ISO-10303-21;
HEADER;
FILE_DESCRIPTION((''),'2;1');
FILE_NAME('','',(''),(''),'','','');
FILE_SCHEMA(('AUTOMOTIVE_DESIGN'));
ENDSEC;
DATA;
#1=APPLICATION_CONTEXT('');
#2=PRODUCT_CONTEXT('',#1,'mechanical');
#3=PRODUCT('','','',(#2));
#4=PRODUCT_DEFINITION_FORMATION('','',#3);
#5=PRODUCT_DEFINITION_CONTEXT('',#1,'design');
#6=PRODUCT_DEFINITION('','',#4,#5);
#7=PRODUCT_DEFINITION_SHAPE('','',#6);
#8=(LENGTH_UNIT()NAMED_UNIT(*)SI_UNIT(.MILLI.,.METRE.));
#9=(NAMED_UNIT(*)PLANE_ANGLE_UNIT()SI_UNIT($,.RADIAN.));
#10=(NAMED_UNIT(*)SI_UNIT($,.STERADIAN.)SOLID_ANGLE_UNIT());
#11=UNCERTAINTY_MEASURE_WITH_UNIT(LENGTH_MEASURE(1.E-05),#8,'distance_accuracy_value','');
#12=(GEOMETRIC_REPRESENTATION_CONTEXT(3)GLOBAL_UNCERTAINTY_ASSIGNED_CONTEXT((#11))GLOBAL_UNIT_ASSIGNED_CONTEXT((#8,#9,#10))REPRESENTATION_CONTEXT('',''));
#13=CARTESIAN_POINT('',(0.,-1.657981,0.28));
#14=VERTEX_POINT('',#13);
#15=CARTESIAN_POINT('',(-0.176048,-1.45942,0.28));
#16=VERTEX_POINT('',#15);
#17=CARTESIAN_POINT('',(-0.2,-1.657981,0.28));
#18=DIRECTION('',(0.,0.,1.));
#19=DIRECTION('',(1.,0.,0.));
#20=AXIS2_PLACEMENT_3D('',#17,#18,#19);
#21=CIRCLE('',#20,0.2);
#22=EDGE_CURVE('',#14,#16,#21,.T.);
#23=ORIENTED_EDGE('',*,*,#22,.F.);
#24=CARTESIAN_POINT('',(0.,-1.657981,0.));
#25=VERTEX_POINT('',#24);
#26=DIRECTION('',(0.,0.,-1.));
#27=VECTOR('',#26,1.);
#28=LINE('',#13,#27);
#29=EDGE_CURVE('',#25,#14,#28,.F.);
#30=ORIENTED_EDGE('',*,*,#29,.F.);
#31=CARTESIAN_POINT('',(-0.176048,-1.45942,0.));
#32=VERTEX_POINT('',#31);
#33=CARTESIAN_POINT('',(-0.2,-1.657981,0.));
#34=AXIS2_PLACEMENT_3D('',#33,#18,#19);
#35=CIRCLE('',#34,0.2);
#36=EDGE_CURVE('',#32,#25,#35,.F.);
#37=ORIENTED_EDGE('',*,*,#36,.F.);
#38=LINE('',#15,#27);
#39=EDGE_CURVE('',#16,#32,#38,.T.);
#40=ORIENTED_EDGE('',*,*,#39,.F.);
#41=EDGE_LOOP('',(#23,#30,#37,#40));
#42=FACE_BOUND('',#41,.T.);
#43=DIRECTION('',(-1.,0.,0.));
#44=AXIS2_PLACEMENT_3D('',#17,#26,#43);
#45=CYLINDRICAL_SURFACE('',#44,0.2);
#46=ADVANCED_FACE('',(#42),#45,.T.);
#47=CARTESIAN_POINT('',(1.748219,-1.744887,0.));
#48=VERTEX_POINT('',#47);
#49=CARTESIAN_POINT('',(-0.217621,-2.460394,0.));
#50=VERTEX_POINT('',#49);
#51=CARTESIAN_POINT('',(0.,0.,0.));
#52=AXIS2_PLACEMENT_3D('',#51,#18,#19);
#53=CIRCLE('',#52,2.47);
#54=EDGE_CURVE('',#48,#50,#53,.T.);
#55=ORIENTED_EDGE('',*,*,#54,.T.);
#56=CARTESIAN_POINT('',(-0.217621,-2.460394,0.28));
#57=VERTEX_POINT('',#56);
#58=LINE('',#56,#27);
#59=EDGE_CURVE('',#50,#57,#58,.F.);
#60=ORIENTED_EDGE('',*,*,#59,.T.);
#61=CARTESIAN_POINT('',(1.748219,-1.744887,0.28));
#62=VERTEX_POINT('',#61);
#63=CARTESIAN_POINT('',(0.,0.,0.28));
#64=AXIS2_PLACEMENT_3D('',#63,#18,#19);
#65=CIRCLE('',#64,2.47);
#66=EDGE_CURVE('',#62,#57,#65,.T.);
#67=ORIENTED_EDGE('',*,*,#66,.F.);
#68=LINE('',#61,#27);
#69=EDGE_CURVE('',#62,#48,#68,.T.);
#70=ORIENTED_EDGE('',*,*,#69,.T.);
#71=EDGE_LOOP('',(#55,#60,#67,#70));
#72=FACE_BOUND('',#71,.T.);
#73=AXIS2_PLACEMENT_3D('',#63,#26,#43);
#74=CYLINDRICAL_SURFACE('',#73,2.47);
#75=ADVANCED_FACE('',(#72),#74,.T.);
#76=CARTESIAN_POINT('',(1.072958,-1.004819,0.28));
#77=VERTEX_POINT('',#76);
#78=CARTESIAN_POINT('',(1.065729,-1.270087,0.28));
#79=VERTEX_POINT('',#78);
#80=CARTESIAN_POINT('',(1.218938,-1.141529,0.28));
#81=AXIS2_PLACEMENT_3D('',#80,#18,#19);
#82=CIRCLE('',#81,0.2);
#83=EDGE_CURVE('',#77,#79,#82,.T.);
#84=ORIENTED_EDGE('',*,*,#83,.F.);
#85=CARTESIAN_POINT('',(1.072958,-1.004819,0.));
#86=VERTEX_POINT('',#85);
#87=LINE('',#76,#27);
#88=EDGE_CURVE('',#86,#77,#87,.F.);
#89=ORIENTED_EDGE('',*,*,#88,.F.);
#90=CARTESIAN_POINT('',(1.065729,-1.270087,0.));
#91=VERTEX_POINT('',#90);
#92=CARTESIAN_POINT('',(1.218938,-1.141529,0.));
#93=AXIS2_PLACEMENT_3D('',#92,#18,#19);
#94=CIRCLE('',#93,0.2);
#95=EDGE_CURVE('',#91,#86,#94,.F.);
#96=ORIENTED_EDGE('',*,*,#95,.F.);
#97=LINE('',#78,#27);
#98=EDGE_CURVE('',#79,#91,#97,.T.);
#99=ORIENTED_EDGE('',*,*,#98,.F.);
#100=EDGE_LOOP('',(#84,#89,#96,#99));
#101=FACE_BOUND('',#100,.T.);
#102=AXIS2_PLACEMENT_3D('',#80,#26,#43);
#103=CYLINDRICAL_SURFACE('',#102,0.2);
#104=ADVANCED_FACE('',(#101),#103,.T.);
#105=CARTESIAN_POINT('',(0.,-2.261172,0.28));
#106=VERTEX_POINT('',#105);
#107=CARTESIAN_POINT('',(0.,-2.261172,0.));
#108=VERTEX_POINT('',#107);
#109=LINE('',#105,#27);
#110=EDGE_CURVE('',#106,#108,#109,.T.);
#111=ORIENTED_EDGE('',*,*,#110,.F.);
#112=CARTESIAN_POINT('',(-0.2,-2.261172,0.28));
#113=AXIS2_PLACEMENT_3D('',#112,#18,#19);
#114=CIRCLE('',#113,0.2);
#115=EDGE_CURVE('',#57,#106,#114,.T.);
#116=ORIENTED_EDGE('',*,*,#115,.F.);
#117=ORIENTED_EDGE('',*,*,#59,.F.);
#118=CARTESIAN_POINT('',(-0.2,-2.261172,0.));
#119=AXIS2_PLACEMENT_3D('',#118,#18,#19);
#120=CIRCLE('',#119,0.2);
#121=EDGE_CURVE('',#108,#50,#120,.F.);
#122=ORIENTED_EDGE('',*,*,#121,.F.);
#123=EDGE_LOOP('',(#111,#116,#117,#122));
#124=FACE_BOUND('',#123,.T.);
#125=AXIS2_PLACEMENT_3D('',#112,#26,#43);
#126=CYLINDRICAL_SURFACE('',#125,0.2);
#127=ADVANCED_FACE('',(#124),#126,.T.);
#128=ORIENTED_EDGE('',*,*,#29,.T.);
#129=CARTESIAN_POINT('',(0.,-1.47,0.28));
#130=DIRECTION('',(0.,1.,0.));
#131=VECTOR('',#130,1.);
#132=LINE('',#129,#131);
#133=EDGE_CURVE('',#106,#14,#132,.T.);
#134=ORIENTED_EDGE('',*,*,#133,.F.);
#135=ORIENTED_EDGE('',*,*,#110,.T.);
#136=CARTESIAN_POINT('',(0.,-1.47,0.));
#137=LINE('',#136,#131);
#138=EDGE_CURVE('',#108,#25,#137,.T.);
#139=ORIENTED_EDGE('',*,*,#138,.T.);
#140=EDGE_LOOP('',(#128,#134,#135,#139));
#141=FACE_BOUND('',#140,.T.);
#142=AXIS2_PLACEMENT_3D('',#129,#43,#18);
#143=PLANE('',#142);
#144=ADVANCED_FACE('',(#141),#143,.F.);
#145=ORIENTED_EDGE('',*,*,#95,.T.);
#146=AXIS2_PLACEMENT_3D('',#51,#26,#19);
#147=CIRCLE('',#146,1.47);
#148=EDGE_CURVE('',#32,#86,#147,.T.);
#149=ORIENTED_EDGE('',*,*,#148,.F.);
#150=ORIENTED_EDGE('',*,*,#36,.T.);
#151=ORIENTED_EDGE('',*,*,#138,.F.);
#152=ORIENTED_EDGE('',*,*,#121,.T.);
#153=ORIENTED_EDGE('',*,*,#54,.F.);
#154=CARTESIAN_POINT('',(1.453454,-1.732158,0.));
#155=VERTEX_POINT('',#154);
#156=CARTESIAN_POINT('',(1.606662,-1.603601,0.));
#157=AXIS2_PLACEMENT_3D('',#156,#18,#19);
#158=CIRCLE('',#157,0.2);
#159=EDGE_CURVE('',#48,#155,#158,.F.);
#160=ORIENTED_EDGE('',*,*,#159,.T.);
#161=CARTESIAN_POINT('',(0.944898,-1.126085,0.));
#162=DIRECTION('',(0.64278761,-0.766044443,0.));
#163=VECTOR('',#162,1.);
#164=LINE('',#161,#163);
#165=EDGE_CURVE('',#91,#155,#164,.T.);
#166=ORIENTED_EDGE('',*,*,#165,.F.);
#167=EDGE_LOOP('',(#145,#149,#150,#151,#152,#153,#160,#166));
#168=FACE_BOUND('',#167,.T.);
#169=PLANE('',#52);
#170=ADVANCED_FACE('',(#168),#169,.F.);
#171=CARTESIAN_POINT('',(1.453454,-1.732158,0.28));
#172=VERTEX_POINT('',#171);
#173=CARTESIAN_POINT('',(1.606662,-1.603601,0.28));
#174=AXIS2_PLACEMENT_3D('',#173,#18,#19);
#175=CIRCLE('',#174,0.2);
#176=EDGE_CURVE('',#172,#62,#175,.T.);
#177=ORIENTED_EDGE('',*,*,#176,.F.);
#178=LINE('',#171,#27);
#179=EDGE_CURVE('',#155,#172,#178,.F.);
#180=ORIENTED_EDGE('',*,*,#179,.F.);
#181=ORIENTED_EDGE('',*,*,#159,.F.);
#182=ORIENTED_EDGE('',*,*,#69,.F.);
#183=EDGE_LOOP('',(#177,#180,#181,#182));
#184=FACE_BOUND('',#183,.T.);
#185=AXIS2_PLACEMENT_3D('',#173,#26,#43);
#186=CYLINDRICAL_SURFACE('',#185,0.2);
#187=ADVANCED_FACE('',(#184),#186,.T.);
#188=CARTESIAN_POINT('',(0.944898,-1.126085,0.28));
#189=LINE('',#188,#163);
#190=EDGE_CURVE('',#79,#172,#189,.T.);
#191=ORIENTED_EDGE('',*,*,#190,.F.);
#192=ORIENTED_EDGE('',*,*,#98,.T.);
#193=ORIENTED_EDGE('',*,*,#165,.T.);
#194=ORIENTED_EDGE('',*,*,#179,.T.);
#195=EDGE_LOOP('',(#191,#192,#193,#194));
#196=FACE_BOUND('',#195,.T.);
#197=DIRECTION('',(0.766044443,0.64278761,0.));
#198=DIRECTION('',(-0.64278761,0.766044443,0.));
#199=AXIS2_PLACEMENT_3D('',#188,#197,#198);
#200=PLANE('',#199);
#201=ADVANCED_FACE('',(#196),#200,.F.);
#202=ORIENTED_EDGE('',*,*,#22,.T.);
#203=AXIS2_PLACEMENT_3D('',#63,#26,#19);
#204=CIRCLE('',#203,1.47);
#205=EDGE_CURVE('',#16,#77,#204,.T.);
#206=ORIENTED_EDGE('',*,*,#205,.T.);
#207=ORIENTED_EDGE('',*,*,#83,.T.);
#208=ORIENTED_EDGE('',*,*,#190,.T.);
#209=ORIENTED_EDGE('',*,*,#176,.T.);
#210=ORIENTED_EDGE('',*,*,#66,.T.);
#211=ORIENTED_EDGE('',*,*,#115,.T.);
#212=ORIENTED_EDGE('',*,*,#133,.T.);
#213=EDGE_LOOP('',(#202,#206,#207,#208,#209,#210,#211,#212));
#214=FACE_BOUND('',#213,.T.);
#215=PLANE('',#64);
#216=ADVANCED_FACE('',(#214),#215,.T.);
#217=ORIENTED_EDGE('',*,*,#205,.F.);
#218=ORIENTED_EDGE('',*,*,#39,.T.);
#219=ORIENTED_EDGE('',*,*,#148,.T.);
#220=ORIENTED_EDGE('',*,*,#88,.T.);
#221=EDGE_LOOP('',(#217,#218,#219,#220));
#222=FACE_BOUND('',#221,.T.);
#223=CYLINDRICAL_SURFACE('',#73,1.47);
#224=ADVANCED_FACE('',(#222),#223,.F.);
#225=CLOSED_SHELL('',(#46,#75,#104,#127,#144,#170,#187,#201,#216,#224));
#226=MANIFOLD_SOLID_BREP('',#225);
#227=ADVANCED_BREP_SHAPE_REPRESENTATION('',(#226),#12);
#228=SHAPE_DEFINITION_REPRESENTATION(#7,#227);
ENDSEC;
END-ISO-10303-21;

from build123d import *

# Parameters (mm, degrees)
BOSS_EXTRU_1_DEPTH = 0.28
CONG_1_R           = 0.2


with BuildPart() as part:
    # Esquisse1 → Boss.-Extru.1 (new body)
    with BuildSketch(Plane.XY):
        with BuildLine():
            Line((0, -1.47), (0, -2.47))
            ThreePointArc((0, -2.47), (-0.844789754, 2.321040773), (1.587685396, -1.892129775))
            Line((1.587685396, -1.892129775), (0.944897786, -1.126085331))
            ThreePointArc((0.944897786, -1.126085331), (-0.502769611, 1.381348153), (0, -1.47))
        make_face()
    extrude(amount=BOSS_EXTRU_1_DEPTH)

    # Congé1
    cong_1_edges = [part.edges().sort_by_distance(p)[0] for p in [
        (0, -1.47, 0.14),
        (0, -2.47, 0.14),
        (1.587685396, -1.892129775, 0.14),
        (0.944897786, -1.126085331, 0.14),
    ]]
    fillet(cong_1_edges, radius=CONG_1_R)


solid = part.part
